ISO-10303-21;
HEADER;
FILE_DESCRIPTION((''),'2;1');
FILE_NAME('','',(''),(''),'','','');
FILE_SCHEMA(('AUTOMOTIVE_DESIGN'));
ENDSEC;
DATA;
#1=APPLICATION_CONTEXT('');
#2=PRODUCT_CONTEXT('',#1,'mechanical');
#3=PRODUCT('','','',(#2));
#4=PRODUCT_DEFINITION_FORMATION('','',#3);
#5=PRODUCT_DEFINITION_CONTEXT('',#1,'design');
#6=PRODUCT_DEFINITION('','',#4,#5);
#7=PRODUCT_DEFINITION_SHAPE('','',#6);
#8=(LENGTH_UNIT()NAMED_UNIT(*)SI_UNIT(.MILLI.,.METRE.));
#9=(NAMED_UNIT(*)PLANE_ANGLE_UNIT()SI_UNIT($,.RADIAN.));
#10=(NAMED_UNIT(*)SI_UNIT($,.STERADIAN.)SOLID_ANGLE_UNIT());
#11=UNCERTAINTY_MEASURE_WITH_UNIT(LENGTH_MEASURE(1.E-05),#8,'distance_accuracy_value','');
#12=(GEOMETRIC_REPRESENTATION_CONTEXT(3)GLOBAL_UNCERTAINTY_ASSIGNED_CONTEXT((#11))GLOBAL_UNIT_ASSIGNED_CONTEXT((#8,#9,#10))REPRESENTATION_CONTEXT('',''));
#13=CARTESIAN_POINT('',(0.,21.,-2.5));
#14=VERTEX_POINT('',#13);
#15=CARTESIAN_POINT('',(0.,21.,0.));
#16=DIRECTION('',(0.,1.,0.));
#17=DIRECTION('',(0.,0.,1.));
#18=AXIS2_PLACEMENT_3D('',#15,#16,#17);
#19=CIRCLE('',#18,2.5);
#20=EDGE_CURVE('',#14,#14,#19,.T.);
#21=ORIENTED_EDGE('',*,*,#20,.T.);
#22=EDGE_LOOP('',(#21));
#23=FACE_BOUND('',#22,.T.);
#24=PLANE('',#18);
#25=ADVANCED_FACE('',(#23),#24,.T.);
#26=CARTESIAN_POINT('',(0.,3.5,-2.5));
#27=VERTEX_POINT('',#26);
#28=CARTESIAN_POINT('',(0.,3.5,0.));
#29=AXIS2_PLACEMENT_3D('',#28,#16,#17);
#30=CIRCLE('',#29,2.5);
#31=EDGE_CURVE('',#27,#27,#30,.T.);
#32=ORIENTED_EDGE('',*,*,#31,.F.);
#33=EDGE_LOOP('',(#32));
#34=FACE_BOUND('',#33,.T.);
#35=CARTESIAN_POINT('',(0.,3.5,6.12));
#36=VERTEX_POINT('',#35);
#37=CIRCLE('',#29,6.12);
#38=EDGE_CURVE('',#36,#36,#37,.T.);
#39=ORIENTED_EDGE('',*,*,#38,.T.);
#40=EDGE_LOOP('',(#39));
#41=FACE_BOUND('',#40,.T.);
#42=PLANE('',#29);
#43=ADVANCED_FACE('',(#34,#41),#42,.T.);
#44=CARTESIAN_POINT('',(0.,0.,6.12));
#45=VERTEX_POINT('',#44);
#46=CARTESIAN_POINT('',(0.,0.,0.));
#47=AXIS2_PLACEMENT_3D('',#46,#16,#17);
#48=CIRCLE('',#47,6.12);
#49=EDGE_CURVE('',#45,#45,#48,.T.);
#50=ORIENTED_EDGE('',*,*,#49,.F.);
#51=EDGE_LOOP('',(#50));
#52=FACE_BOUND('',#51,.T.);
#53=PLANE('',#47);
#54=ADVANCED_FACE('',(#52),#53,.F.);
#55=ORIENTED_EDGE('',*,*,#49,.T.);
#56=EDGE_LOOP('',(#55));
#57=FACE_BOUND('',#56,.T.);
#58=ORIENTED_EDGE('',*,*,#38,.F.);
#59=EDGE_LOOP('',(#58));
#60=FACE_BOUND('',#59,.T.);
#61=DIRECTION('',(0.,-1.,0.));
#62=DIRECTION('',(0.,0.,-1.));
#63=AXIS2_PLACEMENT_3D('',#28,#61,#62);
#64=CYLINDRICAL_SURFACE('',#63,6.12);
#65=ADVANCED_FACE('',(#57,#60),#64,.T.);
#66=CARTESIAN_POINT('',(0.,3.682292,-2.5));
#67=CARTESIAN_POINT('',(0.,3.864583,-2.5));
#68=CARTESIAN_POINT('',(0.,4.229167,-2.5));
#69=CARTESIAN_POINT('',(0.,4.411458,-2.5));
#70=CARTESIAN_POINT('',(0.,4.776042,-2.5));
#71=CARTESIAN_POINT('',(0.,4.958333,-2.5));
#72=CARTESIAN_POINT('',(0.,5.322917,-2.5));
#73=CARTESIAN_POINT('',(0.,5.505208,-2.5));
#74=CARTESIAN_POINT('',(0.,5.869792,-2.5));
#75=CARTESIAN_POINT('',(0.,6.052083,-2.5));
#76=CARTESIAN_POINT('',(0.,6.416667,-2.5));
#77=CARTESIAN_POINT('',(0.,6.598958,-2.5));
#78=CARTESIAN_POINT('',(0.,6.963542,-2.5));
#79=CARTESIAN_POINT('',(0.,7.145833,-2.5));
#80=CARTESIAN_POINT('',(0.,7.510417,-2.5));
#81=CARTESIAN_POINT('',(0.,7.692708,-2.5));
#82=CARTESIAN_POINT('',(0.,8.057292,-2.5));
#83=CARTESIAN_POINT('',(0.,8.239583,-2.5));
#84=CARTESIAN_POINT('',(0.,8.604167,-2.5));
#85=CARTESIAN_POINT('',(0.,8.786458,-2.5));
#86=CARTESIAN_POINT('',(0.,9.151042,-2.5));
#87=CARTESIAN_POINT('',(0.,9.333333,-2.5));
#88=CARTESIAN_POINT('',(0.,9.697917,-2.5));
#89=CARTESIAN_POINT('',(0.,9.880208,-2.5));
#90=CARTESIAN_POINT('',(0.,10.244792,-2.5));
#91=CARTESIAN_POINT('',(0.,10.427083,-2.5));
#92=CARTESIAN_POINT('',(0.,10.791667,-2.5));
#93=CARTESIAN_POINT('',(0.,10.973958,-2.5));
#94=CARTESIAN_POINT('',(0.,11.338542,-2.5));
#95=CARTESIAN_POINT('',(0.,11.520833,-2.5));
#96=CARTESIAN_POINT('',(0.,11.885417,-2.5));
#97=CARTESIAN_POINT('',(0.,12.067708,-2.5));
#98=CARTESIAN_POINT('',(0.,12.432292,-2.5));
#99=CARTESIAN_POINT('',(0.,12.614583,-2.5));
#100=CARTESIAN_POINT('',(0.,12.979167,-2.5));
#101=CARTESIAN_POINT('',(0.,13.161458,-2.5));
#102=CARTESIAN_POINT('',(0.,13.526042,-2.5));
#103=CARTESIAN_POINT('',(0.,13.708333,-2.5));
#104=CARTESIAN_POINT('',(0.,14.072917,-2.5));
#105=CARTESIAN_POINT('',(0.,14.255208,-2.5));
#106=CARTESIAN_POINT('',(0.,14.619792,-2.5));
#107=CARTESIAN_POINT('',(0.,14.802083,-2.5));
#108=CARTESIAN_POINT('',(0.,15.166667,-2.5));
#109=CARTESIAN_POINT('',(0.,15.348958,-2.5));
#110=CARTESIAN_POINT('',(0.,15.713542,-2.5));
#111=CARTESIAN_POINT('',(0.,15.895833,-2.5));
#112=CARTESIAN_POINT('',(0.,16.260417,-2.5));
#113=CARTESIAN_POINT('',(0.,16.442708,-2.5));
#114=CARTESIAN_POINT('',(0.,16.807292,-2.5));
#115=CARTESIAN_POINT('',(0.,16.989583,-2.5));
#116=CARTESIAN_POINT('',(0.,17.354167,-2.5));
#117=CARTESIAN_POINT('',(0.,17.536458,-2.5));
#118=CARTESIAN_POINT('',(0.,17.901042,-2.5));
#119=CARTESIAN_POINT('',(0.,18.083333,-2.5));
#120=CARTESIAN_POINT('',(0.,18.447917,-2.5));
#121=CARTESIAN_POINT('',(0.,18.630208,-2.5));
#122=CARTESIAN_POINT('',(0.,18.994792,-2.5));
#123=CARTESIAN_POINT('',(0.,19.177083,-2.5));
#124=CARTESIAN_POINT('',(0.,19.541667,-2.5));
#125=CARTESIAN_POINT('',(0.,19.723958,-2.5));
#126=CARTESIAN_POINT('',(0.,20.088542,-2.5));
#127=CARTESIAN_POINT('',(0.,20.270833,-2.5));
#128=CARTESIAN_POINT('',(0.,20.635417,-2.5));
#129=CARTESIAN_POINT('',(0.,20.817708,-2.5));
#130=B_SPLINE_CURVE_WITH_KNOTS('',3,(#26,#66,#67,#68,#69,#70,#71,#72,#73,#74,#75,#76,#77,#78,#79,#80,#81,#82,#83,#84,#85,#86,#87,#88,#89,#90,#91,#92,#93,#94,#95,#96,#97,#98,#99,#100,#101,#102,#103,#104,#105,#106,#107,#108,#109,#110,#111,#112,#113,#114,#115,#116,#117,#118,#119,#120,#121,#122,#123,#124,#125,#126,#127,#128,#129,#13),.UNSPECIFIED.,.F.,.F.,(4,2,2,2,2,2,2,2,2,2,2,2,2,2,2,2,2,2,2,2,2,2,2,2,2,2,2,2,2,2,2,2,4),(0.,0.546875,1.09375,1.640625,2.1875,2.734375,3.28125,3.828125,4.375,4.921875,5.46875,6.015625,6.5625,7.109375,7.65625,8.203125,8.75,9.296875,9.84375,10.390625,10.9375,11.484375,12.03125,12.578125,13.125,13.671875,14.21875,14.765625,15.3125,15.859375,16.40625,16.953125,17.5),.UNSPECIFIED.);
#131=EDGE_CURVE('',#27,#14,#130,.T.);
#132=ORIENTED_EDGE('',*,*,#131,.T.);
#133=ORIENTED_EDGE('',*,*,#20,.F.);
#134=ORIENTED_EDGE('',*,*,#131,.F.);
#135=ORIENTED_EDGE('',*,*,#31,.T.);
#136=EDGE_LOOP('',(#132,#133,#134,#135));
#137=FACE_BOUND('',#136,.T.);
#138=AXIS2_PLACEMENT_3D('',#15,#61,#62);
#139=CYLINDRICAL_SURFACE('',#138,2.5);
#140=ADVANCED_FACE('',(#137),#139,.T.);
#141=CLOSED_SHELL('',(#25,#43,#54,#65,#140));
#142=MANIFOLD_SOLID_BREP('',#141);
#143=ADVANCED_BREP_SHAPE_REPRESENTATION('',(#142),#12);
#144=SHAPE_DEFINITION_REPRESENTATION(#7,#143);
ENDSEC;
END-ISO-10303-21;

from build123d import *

# Parameters (mm, degrees)
SKETCH2_R           = 6.12
SKETCH2_R_2         = 2.5
BOSS_EXTRUDE1_DEPTH = 3.5
SKETCH2_2_R         = 2.5
BOSS_EXTRUDE2_DEPTH = 21


with BuildPart() as part:
    # Sketch2 → Boss-Extrude1 (new body)
    with BuildSketch(Plane(origin=(0, 0, 0), x_dir=(1, 0, 0), z_dir=(0, 1, 0))):
        Circle(SKETCH2_R)
        Circle(SKETCH2_R_2, mode=Mode.SUBTRACT)
    extrude(amount=BOSS_EXTRUDE1_DEPTH)

    # Sketch2<2> → Boss-Extrude2 (add)
    with BuildSketch(Plane(origin=(0, 0, 0), x_dir=(1, 0, 0), z_dir=(0, 1, 0))):
        Circle(SKETCH2_2_R)
    extrude(amount=BOSS_EXTRUDE2_DEPTH)


solid = part.part
